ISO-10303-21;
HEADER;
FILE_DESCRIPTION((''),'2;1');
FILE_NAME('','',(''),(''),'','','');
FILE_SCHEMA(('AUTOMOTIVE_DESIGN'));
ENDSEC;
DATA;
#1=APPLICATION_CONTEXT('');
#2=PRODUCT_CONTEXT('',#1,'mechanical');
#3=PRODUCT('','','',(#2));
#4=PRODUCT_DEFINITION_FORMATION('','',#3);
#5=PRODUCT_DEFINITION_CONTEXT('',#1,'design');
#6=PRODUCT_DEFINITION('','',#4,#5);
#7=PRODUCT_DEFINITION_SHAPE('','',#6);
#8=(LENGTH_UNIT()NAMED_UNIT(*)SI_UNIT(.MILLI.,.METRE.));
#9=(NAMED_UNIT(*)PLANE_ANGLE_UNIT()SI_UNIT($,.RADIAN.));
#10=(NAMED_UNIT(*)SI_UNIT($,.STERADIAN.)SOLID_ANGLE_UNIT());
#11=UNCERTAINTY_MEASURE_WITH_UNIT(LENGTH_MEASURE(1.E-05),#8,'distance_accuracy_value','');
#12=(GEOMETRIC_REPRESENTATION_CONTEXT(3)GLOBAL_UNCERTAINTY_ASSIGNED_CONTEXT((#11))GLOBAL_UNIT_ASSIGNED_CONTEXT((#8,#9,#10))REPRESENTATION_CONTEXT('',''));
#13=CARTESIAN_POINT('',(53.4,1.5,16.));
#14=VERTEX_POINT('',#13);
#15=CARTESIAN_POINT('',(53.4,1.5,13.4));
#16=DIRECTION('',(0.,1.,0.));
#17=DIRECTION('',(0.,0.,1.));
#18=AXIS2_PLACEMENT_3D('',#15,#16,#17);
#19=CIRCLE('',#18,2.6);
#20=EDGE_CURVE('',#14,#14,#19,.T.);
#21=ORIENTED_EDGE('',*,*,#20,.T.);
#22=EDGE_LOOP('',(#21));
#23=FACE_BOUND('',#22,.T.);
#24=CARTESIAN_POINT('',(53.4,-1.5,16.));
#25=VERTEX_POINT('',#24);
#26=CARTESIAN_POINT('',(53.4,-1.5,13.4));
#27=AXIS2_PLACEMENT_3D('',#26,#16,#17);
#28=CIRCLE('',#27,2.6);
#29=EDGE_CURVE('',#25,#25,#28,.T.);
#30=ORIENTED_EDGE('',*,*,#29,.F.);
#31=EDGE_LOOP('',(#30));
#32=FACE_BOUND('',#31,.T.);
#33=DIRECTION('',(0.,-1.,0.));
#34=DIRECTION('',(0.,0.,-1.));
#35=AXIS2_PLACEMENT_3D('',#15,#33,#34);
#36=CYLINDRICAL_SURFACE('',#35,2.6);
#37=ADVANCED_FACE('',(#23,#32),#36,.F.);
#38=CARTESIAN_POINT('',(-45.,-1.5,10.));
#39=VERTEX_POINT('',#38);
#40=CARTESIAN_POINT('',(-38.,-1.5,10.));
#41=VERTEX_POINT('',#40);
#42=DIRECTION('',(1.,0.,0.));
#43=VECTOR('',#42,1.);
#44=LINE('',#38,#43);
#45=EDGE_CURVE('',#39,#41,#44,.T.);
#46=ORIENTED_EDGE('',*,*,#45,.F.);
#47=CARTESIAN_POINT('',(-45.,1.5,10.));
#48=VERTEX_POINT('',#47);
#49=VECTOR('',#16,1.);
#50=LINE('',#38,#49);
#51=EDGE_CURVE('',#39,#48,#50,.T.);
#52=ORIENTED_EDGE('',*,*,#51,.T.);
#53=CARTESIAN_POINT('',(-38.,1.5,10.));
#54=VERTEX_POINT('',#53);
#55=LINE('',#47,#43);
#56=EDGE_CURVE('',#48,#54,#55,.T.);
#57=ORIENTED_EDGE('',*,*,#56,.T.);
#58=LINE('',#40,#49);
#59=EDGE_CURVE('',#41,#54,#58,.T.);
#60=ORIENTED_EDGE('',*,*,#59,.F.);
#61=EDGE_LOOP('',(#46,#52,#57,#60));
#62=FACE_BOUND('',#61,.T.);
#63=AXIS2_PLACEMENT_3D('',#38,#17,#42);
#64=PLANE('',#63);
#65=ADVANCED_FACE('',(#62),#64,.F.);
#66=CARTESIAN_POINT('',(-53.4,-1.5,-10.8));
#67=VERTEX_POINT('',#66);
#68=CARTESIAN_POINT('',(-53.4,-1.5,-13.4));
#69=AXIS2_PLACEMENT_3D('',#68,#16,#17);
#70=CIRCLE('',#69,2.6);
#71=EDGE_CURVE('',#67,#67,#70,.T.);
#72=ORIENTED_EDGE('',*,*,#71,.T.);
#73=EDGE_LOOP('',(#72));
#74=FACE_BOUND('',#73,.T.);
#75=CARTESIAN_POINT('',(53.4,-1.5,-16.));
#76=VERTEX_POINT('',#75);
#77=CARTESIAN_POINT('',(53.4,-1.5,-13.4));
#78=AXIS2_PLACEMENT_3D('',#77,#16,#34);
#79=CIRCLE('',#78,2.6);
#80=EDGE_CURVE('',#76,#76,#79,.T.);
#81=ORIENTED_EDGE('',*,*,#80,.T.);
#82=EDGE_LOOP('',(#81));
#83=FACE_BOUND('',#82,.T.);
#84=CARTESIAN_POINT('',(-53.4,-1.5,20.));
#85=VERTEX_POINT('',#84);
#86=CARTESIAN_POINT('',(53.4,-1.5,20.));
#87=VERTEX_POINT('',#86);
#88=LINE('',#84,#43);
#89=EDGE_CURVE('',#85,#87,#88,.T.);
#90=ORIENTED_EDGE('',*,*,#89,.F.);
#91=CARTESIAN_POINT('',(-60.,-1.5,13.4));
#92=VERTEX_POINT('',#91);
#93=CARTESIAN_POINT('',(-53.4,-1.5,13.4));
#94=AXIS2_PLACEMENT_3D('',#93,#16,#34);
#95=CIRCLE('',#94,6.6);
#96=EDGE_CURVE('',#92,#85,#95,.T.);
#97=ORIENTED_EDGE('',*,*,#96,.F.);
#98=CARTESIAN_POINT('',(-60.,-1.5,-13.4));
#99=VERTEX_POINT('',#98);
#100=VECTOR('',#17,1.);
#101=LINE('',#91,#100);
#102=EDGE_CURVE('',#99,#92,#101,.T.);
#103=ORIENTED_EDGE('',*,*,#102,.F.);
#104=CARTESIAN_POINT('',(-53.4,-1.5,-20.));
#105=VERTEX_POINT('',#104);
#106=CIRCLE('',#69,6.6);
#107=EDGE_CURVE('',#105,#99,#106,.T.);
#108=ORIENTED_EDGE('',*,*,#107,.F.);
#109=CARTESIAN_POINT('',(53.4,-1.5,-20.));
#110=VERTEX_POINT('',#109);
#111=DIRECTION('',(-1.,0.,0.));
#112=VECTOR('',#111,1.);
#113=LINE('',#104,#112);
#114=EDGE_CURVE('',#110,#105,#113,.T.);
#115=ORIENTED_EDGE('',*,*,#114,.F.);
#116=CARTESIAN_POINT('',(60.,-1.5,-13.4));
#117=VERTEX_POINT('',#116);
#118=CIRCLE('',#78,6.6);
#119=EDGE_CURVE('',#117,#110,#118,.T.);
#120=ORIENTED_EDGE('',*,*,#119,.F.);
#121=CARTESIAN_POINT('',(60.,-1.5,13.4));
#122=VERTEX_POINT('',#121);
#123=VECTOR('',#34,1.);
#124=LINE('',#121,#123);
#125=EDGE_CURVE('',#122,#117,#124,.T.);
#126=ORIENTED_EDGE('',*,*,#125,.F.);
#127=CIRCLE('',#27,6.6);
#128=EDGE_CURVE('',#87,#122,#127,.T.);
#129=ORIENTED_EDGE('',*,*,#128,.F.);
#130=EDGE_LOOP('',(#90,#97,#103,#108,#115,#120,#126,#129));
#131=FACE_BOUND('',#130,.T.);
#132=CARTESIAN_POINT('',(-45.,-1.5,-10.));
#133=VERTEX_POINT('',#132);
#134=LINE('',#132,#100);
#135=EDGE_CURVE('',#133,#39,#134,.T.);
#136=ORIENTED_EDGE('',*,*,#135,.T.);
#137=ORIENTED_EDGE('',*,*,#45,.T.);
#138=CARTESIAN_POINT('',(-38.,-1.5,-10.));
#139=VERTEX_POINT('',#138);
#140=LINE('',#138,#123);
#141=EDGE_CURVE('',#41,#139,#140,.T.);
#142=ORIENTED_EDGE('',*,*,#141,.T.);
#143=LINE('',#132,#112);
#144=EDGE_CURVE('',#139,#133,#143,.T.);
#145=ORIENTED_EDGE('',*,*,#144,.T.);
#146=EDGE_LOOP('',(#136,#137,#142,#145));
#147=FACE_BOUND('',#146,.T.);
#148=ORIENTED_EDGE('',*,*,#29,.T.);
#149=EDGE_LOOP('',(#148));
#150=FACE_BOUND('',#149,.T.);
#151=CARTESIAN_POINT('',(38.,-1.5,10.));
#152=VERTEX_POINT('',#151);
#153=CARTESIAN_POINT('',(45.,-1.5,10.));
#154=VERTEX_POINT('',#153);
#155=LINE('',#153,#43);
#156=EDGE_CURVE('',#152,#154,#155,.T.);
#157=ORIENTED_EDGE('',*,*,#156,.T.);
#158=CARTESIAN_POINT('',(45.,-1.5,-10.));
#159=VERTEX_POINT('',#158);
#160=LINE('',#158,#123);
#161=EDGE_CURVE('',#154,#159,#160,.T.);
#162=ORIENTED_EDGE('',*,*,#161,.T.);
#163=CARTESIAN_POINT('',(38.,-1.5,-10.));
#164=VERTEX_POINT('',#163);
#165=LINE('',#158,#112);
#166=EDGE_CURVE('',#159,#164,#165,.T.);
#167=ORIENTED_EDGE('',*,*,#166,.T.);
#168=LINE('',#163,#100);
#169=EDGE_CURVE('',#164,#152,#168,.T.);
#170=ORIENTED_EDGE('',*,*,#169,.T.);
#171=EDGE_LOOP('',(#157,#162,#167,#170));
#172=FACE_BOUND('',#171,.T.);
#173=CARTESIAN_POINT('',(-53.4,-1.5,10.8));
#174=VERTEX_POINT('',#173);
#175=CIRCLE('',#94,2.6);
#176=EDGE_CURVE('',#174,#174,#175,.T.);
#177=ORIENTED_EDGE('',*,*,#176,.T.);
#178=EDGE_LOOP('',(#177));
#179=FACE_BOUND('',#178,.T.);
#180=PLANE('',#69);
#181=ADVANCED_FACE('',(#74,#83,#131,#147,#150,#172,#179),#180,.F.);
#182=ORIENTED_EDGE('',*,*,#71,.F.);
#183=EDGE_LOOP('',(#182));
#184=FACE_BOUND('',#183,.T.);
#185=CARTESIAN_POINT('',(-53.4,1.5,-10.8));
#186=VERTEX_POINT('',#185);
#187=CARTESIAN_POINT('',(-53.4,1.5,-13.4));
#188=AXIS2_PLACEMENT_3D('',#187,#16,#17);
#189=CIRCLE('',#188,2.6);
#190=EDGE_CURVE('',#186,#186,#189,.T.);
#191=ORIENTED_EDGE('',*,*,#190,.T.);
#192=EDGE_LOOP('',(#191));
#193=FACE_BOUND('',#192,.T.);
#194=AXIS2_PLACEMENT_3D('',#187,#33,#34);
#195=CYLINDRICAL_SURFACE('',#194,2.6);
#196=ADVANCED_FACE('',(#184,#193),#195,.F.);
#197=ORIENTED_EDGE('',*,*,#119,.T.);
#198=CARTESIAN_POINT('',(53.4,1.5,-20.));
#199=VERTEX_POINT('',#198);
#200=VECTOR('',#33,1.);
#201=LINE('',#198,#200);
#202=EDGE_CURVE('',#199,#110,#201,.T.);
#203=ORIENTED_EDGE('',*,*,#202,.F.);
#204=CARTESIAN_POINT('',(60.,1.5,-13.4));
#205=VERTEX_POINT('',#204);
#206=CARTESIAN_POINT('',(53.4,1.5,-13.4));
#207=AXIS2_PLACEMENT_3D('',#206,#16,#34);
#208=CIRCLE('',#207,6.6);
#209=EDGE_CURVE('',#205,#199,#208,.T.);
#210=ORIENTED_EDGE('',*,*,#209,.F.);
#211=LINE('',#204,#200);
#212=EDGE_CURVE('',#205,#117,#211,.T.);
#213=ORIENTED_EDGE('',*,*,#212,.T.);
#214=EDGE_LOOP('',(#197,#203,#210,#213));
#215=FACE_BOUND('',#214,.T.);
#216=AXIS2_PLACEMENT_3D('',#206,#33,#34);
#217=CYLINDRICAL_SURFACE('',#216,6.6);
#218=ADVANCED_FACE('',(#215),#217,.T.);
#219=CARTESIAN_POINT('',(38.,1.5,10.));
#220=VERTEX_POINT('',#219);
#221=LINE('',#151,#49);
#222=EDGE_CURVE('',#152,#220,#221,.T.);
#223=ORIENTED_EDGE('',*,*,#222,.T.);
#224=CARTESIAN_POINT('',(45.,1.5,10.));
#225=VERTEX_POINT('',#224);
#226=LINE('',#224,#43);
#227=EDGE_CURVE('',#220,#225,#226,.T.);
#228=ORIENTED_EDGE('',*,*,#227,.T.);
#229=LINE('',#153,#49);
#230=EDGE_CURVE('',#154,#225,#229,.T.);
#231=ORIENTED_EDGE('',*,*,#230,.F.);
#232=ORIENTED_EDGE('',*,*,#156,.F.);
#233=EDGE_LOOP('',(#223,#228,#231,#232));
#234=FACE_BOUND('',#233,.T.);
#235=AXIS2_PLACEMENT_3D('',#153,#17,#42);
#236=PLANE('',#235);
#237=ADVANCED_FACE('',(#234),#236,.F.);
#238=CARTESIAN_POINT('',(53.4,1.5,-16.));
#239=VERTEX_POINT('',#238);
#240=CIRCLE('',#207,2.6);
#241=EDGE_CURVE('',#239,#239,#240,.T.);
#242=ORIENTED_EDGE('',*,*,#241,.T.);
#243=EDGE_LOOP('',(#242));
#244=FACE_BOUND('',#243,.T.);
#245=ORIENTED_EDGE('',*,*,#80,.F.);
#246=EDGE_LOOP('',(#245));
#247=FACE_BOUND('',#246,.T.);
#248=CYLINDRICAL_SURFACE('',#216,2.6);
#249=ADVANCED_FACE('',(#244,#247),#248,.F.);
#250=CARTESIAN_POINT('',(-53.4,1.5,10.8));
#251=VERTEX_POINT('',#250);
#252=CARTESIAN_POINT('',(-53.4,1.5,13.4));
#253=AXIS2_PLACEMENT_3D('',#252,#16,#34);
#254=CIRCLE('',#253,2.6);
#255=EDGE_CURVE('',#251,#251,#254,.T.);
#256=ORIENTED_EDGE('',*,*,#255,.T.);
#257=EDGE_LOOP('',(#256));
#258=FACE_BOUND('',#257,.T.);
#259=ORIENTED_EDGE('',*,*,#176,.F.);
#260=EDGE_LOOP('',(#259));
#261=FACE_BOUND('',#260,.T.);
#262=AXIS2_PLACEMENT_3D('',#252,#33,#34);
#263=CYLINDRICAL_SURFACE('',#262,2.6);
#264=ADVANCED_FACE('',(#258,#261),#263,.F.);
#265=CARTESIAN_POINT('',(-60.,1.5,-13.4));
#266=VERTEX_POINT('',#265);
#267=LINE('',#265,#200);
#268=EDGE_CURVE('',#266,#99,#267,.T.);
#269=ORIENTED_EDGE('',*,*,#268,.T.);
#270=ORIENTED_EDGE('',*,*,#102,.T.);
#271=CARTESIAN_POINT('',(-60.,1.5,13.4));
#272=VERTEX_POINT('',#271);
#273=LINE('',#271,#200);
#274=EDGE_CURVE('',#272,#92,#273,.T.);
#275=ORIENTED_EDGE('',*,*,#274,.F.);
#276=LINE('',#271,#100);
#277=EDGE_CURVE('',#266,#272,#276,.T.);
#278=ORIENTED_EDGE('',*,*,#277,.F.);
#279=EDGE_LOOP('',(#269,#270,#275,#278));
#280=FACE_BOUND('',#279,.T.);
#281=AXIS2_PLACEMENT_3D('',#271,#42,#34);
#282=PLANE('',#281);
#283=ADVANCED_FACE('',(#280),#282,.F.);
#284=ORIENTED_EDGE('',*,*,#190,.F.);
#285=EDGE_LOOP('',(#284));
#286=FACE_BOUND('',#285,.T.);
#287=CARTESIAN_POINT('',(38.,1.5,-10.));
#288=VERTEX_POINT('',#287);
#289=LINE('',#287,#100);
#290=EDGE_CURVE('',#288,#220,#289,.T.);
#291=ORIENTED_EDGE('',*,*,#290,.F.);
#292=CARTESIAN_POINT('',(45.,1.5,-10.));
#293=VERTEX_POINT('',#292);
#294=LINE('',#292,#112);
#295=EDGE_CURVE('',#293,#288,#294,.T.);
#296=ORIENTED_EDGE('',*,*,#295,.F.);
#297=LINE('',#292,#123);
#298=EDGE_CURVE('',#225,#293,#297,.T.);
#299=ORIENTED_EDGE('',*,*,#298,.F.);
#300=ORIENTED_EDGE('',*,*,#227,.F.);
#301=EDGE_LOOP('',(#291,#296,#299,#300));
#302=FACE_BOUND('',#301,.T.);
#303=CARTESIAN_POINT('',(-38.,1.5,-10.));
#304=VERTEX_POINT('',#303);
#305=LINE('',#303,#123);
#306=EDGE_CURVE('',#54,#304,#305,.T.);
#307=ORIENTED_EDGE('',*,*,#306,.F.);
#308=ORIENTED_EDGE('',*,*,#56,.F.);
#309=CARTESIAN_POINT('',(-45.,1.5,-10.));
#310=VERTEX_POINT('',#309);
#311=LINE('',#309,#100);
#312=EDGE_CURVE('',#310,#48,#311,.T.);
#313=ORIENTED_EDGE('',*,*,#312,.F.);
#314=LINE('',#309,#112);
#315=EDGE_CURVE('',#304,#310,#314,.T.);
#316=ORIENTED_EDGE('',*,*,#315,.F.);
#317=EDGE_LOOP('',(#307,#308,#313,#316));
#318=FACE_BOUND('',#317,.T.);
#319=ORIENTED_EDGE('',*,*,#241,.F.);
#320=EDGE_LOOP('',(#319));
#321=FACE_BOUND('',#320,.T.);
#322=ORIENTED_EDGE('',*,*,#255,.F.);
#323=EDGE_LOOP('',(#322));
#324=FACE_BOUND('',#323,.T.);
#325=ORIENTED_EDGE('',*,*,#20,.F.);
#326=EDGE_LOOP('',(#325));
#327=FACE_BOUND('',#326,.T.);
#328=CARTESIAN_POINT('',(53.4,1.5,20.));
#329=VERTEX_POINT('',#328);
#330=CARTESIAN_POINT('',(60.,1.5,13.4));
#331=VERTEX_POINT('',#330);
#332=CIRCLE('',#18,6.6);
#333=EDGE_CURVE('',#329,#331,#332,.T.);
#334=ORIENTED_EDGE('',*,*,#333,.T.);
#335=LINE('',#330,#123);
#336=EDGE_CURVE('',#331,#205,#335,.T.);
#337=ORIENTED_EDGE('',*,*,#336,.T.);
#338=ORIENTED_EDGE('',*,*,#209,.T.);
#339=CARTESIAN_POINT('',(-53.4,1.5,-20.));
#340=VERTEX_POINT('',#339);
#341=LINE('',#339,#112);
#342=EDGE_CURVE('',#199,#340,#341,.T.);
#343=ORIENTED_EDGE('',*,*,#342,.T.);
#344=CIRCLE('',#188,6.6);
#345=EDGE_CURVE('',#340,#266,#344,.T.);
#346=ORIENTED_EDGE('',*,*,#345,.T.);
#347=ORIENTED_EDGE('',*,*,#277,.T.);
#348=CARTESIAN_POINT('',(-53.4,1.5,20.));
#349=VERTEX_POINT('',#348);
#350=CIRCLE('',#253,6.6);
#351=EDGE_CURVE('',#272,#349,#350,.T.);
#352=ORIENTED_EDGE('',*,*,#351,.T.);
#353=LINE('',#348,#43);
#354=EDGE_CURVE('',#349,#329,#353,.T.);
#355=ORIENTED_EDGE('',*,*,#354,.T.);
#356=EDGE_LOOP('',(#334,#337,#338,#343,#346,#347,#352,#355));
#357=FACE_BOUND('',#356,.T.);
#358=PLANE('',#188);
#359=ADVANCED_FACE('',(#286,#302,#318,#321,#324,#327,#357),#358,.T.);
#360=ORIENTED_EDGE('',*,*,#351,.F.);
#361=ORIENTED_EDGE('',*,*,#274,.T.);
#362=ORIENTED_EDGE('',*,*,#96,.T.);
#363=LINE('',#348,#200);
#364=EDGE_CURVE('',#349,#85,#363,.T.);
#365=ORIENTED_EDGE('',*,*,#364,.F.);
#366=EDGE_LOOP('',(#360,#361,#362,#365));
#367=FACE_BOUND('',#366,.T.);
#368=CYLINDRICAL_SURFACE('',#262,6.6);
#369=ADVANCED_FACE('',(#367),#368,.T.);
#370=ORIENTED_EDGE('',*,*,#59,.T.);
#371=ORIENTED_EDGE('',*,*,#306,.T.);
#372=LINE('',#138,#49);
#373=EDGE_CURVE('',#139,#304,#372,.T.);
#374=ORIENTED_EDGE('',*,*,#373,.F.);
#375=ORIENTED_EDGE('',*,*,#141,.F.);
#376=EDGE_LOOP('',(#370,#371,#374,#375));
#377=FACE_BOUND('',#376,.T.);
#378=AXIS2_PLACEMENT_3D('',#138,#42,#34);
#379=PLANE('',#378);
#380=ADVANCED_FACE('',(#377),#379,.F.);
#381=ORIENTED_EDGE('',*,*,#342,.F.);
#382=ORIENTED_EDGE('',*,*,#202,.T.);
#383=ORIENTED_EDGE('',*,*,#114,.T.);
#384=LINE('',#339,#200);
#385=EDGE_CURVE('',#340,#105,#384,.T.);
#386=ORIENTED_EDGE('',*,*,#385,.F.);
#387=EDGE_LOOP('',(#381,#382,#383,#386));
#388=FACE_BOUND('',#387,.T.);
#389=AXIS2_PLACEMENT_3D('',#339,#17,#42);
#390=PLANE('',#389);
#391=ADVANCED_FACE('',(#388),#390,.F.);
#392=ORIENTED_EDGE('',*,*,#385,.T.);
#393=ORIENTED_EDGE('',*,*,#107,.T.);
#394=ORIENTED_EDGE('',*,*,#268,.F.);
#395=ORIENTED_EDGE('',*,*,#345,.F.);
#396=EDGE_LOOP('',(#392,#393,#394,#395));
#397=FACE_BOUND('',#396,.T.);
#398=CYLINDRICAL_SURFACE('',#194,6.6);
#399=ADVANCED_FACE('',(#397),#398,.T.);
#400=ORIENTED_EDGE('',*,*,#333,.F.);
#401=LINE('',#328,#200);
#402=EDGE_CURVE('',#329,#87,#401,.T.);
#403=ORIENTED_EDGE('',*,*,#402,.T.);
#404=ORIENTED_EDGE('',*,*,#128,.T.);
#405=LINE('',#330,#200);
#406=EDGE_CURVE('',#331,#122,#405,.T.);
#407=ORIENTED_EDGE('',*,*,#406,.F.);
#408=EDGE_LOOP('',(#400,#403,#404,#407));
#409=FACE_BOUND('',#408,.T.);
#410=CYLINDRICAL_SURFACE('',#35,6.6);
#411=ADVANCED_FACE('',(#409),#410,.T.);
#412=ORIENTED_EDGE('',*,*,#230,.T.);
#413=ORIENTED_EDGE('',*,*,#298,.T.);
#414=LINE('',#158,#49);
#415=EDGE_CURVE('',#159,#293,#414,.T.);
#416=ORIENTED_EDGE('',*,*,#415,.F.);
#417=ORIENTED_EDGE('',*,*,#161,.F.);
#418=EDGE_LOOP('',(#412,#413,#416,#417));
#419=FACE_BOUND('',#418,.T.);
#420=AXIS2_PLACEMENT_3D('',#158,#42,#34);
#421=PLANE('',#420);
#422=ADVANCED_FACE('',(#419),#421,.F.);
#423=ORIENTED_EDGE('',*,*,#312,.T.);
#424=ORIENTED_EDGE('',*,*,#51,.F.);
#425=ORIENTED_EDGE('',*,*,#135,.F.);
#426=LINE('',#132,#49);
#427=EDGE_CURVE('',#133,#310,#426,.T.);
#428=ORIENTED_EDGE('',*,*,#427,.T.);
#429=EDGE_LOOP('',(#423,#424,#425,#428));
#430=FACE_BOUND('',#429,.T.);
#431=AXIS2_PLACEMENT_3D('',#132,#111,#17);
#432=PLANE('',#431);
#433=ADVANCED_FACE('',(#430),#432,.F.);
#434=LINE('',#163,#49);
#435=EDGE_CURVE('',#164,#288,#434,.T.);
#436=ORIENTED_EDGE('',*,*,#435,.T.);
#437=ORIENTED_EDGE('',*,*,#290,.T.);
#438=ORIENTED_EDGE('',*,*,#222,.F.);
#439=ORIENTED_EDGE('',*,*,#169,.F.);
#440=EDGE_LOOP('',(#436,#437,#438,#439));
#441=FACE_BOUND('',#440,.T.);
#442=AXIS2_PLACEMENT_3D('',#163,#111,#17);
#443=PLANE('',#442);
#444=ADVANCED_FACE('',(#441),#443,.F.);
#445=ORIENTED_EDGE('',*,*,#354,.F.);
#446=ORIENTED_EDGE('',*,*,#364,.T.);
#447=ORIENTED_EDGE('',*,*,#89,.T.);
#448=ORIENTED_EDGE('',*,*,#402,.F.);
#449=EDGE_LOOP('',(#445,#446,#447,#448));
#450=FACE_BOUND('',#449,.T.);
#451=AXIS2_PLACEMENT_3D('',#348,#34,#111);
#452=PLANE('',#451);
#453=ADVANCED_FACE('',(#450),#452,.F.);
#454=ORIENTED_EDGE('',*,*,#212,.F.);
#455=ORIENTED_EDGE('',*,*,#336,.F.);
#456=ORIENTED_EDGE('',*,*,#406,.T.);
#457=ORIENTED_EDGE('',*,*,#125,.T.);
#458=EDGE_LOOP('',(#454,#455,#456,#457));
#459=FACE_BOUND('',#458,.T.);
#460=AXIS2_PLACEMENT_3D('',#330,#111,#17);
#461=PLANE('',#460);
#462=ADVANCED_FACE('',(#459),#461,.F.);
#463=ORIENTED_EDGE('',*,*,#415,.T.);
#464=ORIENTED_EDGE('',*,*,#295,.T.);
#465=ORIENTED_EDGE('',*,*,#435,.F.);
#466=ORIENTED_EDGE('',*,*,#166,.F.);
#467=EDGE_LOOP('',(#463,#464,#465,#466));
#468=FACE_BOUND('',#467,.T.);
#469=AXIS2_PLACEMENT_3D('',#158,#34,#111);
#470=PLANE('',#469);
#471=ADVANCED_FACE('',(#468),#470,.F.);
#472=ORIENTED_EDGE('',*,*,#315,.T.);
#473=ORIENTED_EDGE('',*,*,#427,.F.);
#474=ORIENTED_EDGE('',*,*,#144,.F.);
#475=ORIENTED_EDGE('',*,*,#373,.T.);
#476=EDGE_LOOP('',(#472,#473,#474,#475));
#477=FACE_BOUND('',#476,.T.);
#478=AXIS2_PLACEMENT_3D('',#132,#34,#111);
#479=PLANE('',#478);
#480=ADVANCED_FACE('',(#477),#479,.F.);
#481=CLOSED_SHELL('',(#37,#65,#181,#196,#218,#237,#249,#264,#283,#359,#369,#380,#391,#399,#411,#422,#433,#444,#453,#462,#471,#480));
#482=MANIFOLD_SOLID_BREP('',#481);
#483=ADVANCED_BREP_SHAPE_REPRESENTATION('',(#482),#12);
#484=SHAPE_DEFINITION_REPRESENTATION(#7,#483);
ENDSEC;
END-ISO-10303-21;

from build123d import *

# Parameters (mm, degrees)
SKETCH1_R           = 2.6
BOSS_EXTRUDE1_DEPTH = 1.5
SKETCH2_W           = 7
SKETCH2_H           = 20
CUT_EXTRUDE1_DEPTH  = 64.316664473


with BuildPart() as part:
    # Sketch1 → Boss-Extrude1 (new, symmetric)
    with BuildSketch(Plane(origin=(0, 0, 0), x_dir=(1, 0, 0), z_dir=(0, 1, 0))):
        with BuildLine():
            Line((-53.4, -20), (53.4, -20))
            ThreePointArc((53.4, -20), (58.066904756, -18.066904756), (60, -13.4))
            Line((60, -13.4), (60, 13.4))
            ThreePointArc((60, 13.4), (58.066904756, 18.066904756), (53.4, 20))
            Line((53.4, 20), (-53.4, 20))
            ThreePointArc((-53.4, 20), (-58.066904756, 18.066904756), (-60, 13.4))
            Line((-60, 13.4), (-60, -13.4))
            ThreePointArc((-60, -13.4), (-58.066904756, -18.066904756), (-53.4, -20))
        make_face()
        with Locations(Location((-53.4, 13.4, 0), (0, 0, 270))):
            Circle(SKETCH1_R, mode=Mode.SUBTRACT)
        with Locations(Location((53.4, 13.4, 0), (0, 0, 90))):
            Circle(SKETCH1_R, mode=Mode.SUBTRACT)
        with Locations(Location((53.4, -13.4, 0), (0, 0, 270))):
            Circle(SKETCH1_R, mode=Mode.SUBTRACT)
        with Locations(Location((-53.4, -13.4, 0), (0, 0, 90))):
            Circle(SKETCH1_R, mode=Mode.SUBTRACT)
    extrude(amount=BOSS_EXTRUDE1_DEPTH, both=True)

    # Sketch2 → Cut-Extrude1 (cut, through all)
    with BuildSketch(Plane(origin=(0, 1.5, 0), x_dir=(1, 0, 0), z_dir=(0, 1, 0))):
        with Locations((-41.5, 0)):
            Rectangle(SKETCH2_W, SKETCH2_H)
        with Locations((41.5, 0)):
            Rectangle(SKETCH2_W, SKETCH2_H)
    extrude(amount=-CUT_EXTRUDE1_DEPTH, mode=Mode.SUBTRACT)


solid = part.part
